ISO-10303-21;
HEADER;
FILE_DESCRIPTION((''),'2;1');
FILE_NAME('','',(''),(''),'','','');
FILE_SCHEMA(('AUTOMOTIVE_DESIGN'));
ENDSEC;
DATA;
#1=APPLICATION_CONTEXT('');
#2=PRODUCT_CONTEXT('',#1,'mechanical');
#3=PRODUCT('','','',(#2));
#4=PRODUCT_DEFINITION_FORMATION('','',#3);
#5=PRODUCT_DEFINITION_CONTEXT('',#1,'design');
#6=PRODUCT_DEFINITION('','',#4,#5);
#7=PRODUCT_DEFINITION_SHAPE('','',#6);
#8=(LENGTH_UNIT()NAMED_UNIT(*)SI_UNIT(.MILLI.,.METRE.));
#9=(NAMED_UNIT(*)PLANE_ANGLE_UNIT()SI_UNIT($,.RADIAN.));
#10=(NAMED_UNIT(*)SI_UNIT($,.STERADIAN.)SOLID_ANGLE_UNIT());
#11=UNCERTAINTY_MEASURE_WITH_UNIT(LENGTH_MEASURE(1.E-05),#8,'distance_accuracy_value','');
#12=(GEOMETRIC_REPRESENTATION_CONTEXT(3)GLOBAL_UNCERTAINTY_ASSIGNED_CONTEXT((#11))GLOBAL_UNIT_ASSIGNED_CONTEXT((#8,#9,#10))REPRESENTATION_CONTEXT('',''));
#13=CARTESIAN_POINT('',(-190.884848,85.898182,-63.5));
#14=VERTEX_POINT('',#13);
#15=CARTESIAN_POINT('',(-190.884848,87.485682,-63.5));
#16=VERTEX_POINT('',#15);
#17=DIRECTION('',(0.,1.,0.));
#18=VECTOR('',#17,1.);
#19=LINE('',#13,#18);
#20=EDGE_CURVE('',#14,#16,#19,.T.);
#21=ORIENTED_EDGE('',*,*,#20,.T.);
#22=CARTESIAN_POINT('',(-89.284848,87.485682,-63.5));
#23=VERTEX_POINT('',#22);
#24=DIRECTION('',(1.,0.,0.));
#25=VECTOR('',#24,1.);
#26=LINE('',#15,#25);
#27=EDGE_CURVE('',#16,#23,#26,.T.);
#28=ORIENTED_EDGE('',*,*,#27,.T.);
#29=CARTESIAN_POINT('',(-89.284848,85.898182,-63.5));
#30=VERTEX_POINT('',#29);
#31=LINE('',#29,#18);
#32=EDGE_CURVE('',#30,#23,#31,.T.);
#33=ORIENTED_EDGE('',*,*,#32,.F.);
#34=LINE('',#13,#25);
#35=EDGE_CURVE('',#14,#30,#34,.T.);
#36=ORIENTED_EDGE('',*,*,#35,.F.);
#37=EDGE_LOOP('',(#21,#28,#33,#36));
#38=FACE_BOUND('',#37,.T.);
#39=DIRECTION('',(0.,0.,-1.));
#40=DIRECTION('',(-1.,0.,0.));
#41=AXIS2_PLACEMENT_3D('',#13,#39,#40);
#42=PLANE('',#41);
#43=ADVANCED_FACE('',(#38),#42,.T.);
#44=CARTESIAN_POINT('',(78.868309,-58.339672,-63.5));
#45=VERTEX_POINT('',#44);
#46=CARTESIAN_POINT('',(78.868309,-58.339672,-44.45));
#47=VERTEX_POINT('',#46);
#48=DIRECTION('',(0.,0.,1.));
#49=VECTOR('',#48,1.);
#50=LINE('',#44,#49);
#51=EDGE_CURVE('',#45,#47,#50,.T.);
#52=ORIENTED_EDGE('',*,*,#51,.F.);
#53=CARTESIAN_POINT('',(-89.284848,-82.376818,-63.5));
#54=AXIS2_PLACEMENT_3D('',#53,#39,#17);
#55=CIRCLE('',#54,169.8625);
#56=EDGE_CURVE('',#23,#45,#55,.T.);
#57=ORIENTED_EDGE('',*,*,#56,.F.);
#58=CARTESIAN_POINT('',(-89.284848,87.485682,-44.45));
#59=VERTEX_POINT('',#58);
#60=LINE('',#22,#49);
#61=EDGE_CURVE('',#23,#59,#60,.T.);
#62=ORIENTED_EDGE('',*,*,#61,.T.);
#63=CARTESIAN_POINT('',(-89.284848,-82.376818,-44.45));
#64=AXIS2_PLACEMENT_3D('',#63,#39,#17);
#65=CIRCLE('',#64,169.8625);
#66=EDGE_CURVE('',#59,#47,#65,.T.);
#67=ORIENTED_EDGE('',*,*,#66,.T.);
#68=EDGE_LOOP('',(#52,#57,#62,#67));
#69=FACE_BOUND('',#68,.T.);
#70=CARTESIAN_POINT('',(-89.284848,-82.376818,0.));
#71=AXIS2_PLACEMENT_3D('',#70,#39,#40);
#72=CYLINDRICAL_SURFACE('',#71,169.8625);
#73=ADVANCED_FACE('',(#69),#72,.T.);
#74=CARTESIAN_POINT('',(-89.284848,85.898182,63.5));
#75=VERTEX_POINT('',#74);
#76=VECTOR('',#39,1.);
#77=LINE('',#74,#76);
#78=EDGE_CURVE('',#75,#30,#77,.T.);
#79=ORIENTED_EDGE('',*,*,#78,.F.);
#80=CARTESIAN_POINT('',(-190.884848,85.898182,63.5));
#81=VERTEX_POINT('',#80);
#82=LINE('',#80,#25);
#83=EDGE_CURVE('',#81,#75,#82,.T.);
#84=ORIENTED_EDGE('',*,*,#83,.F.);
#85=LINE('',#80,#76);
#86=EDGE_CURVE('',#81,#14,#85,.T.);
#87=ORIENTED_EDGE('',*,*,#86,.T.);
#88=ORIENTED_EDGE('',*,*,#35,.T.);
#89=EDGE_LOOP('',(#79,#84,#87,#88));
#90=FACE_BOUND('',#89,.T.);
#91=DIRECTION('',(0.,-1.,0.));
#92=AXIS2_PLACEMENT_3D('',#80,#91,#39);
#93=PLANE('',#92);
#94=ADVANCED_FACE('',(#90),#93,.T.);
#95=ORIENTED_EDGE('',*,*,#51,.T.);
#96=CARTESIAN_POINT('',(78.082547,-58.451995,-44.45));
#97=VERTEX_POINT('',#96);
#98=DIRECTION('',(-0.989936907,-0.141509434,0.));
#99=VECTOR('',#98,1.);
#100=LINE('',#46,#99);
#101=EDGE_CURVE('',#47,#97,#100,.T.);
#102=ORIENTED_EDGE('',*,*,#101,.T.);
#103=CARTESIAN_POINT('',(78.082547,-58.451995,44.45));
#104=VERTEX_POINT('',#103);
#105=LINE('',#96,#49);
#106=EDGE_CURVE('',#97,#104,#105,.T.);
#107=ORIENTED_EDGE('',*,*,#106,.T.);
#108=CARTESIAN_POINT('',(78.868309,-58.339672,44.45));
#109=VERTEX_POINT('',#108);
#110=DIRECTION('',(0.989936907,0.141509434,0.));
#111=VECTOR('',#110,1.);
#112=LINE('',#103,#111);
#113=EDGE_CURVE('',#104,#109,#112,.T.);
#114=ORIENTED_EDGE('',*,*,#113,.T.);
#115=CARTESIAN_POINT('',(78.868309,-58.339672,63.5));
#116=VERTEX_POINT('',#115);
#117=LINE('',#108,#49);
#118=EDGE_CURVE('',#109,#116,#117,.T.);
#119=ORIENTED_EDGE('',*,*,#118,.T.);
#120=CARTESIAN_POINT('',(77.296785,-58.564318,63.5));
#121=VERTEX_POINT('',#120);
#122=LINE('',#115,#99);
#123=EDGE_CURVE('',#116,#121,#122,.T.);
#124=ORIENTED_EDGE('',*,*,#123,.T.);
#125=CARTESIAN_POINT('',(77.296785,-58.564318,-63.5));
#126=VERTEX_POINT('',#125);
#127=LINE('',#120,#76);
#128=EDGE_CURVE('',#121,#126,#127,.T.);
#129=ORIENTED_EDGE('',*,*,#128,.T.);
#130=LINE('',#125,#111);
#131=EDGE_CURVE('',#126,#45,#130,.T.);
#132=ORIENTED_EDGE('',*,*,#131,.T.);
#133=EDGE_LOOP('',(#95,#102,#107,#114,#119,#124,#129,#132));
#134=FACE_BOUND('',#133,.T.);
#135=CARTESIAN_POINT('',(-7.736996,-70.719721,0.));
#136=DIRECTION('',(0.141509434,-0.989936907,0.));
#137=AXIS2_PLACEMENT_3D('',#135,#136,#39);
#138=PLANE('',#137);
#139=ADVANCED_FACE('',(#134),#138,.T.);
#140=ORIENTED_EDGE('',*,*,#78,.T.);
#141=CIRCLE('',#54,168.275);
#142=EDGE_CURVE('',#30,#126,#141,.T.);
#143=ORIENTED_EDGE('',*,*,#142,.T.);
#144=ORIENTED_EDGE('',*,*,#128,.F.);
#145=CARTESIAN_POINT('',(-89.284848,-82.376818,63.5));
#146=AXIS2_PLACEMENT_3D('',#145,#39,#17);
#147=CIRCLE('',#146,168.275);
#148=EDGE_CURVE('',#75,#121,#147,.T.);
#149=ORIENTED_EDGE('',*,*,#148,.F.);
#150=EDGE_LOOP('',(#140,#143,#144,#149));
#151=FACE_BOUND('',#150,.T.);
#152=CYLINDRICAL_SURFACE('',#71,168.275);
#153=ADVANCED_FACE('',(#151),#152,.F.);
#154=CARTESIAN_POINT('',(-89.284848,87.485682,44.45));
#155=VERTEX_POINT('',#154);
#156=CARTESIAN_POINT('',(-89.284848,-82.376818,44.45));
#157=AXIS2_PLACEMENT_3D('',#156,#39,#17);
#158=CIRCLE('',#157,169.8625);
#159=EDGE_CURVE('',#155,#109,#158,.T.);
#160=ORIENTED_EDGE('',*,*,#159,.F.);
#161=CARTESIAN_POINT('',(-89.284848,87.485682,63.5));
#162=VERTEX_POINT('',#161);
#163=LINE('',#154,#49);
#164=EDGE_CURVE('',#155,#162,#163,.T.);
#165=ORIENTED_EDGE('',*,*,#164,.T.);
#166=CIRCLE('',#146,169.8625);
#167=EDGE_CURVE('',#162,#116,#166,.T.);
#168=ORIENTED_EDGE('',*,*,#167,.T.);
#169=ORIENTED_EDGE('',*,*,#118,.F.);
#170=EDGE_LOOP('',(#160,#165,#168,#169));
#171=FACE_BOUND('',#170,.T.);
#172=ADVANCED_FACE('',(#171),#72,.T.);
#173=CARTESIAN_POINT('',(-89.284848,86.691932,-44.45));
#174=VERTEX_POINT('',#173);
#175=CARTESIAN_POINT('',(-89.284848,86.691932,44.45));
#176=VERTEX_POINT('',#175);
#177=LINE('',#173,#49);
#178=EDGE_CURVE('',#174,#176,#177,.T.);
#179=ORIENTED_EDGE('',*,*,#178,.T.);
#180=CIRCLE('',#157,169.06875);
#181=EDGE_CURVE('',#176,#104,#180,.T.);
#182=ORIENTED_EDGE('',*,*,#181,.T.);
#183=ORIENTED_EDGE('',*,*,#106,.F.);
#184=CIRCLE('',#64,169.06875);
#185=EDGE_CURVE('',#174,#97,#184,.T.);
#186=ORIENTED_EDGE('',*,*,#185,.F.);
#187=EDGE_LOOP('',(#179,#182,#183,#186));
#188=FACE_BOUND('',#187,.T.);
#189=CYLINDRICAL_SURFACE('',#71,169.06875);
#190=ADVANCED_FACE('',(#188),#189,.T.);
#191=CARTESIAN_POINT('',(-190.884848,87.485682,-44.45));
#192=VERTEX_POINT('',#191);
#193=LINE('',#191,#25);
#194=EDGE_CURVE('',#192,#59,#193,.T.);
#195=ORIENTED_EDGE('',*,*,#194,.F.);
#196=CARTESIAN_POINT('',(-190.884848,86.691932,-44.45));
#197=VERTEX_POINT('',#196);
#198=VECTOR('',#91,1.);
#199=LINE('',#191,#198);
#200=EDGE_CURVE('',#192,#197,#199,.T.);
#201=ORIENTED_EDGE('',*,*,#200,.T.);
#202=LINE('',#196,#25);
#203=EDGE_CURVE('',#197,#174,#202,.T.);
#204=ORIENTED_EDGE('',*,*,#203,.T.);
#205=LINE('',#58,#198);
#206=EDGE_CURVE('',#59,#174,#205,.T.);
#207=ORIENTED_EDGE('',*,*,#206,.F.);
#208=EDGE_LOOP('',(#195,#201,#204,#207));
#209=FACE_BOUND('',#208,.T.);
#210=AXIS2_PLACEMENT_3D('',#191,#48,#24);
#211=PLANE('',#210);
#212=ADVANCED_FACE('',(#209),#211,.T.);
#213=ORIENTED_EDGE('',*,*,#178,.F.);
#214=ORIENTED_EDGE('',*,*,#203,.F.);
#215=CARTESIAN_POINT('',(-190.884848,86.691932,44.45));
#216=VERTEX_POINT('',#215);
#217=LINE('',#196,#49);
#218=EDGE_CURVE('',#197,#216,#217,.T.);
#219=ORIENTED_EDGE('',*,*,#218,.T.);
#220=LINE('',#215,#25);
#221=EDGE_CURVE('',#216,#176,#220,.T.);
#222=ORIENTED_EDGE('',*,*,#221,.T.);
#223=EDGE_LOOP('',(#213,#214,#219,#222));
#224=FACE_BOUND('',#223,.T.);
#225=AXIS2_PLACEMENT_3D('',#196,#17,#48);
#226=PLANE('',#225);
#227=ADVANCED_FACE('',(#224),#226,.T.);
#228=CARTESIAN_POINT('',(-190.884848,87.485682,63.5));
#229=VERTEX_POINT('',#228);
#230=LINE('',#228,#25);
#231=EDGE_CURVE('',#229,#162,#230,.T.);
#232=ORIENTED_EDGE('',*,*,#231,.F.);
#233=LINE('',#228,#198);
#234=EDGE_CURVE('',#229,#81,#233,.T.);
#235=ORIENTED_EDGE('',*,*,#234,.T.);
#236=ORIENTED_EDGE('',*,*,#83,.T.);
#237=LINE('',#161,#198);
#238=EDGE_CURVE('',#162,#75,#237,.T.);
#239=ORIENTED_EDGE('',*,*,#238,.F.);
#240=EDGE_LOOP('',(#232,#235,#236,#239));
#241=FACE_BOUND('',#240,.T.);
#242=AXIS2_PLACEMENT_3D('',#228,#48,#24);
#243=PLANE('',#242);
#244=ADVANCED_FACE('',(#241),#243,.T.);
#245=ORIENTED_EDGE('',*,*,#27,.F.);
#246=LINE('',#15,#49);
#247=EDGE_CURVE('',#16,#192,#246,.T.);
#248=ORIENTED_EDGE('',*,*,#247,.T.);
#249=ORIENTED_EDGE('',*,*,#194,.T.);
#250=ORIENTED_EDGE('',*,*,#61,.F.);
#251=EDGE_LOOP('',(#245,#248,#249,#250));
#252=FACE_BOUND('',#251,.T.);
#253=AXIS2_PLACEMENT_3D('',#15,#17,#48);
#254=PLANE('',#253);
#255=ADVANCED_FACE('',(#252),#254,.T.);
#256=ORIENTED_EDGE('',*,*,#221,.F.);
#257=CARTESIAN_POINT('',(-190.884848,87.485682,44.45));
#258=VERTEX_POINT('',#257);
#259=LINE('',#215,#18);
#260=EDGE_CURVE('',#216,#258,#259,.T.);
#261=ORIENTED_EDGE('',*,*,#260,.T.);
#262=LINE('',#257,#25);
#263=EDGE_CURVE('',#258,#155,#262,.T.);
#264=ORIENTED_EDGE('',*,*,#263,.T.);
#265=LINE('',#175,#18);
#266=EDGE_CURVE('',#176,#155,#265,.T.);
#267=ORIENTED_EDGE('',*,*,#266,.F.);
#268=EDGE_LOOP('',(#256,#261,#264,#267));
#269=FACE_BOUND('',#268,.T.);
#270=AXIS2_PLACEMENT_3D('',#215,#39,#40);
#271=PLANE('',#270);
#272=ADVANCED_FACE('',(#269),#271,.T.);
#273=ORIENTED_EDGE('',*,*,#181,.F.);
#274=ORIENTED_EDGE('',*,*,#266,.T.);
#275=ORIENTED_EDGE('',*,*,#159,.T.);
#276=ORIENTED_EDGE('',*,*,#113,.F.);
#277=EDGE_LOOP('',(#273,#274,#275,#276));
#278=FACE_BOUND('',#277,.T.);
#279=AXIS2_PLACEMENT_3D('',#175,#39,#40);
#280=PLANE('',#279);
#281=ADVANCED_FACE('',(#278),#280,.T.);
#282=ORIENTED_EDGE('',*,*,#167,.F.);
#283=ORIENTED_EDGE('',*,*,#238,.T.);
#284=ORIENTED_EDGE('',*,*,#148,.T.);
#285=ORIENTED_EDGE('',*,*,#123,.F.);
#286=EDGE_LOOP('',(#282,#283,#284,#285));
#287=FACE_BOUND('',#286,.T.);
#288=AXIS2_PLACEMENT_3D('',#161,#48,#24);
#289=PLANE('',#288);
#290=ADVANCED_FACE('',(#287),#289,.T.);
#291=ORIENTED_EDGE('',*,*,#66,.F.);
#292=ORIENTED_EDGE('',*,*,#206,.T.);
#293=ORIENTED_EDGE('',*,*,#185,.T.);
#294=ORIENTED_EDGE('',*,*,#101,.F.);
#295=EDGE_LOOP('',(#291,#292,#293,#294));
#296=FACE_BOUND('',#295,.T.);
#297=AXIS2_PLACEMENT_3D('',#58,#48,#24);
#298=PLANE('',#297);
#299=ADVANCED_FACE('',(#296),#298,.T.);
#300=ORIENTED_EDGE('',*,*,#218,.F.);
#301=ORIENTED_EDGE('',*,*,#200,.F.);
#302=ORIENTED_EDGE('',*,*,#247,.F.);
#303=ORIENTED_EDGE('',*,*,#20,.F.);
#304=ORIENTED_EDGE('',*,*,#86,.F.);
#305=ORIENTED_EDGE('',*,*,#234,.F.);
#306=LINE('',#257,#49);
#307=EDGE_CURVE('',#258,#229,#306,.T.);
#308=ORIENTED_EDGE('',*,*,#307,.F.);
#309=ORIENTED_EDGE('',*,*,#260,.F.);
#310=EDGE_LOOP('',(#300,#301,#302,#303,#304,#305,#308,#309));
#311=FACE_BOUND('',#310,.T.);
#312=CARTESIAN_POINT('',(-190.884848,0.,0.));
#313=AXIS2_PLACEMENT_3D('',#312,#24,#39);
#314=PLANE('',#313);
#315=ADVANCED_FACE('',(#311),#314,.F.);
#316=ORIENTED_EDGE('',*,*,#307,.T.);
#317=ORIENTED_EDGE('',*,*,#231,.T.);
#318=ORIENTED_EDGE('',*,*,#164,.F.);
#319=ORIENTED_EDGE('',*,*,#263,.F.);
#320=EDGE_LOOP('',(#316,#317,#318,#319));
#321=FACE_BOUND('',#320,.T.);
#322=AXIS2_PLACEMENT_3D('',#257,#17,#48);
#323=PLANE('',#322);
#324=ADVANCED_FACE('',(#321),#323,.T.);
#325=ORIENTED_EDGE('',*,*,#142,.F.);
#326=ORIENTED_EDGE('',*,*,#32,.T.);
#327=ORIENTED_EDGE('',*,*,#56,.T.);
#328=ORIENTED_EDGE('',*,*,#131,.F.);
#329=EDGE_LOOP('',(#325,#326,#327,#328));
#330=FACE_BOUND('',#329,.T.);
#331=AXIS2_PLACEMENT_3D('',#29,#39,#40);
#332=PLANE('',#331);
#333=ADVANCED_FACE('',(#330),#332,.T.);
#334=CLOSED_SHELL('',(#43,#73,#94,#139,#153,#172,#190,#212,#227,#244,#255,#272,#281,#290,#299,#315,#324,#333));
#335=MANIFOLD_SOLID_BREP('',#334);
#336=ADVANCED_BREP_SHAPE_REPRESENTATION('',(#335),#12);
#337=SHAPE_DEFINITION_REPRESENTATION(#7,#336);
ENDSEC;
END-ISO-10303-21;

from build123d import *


with BuildPart() as part:
    # Sweep2: sweep along a path in Sketch1
    with BuildLine(Plane.XY) as sweep2_path:
        Line((-190.884848485, 85.898181818), (-89.284848485, 85.898181818))
        ThreePointArc((-89.284848485, 85.898181818), (20.963569163, 44.75210076), (77.296784563, -58.564318182))
    # Sketch2 → Sweep2 (sweep)
    with BuildSketch(Plane(origin=(-190.884848485, 0, 0), x_dir=(0, 0, -1), z_dir=(1, 0, 0))):
        Polygon((-63.5, 85.898181818), (63.5, 85.898181818), (63.5, 87.485681818), (44.45, 87.485681818), (44.45, 86.691931818), (-44.45, 86.691931818), (-44.45, 87.485681818), (-63.5, 87.485681818), align=None)
    sweep(path=sweep2_path.line)


solid = part.part
